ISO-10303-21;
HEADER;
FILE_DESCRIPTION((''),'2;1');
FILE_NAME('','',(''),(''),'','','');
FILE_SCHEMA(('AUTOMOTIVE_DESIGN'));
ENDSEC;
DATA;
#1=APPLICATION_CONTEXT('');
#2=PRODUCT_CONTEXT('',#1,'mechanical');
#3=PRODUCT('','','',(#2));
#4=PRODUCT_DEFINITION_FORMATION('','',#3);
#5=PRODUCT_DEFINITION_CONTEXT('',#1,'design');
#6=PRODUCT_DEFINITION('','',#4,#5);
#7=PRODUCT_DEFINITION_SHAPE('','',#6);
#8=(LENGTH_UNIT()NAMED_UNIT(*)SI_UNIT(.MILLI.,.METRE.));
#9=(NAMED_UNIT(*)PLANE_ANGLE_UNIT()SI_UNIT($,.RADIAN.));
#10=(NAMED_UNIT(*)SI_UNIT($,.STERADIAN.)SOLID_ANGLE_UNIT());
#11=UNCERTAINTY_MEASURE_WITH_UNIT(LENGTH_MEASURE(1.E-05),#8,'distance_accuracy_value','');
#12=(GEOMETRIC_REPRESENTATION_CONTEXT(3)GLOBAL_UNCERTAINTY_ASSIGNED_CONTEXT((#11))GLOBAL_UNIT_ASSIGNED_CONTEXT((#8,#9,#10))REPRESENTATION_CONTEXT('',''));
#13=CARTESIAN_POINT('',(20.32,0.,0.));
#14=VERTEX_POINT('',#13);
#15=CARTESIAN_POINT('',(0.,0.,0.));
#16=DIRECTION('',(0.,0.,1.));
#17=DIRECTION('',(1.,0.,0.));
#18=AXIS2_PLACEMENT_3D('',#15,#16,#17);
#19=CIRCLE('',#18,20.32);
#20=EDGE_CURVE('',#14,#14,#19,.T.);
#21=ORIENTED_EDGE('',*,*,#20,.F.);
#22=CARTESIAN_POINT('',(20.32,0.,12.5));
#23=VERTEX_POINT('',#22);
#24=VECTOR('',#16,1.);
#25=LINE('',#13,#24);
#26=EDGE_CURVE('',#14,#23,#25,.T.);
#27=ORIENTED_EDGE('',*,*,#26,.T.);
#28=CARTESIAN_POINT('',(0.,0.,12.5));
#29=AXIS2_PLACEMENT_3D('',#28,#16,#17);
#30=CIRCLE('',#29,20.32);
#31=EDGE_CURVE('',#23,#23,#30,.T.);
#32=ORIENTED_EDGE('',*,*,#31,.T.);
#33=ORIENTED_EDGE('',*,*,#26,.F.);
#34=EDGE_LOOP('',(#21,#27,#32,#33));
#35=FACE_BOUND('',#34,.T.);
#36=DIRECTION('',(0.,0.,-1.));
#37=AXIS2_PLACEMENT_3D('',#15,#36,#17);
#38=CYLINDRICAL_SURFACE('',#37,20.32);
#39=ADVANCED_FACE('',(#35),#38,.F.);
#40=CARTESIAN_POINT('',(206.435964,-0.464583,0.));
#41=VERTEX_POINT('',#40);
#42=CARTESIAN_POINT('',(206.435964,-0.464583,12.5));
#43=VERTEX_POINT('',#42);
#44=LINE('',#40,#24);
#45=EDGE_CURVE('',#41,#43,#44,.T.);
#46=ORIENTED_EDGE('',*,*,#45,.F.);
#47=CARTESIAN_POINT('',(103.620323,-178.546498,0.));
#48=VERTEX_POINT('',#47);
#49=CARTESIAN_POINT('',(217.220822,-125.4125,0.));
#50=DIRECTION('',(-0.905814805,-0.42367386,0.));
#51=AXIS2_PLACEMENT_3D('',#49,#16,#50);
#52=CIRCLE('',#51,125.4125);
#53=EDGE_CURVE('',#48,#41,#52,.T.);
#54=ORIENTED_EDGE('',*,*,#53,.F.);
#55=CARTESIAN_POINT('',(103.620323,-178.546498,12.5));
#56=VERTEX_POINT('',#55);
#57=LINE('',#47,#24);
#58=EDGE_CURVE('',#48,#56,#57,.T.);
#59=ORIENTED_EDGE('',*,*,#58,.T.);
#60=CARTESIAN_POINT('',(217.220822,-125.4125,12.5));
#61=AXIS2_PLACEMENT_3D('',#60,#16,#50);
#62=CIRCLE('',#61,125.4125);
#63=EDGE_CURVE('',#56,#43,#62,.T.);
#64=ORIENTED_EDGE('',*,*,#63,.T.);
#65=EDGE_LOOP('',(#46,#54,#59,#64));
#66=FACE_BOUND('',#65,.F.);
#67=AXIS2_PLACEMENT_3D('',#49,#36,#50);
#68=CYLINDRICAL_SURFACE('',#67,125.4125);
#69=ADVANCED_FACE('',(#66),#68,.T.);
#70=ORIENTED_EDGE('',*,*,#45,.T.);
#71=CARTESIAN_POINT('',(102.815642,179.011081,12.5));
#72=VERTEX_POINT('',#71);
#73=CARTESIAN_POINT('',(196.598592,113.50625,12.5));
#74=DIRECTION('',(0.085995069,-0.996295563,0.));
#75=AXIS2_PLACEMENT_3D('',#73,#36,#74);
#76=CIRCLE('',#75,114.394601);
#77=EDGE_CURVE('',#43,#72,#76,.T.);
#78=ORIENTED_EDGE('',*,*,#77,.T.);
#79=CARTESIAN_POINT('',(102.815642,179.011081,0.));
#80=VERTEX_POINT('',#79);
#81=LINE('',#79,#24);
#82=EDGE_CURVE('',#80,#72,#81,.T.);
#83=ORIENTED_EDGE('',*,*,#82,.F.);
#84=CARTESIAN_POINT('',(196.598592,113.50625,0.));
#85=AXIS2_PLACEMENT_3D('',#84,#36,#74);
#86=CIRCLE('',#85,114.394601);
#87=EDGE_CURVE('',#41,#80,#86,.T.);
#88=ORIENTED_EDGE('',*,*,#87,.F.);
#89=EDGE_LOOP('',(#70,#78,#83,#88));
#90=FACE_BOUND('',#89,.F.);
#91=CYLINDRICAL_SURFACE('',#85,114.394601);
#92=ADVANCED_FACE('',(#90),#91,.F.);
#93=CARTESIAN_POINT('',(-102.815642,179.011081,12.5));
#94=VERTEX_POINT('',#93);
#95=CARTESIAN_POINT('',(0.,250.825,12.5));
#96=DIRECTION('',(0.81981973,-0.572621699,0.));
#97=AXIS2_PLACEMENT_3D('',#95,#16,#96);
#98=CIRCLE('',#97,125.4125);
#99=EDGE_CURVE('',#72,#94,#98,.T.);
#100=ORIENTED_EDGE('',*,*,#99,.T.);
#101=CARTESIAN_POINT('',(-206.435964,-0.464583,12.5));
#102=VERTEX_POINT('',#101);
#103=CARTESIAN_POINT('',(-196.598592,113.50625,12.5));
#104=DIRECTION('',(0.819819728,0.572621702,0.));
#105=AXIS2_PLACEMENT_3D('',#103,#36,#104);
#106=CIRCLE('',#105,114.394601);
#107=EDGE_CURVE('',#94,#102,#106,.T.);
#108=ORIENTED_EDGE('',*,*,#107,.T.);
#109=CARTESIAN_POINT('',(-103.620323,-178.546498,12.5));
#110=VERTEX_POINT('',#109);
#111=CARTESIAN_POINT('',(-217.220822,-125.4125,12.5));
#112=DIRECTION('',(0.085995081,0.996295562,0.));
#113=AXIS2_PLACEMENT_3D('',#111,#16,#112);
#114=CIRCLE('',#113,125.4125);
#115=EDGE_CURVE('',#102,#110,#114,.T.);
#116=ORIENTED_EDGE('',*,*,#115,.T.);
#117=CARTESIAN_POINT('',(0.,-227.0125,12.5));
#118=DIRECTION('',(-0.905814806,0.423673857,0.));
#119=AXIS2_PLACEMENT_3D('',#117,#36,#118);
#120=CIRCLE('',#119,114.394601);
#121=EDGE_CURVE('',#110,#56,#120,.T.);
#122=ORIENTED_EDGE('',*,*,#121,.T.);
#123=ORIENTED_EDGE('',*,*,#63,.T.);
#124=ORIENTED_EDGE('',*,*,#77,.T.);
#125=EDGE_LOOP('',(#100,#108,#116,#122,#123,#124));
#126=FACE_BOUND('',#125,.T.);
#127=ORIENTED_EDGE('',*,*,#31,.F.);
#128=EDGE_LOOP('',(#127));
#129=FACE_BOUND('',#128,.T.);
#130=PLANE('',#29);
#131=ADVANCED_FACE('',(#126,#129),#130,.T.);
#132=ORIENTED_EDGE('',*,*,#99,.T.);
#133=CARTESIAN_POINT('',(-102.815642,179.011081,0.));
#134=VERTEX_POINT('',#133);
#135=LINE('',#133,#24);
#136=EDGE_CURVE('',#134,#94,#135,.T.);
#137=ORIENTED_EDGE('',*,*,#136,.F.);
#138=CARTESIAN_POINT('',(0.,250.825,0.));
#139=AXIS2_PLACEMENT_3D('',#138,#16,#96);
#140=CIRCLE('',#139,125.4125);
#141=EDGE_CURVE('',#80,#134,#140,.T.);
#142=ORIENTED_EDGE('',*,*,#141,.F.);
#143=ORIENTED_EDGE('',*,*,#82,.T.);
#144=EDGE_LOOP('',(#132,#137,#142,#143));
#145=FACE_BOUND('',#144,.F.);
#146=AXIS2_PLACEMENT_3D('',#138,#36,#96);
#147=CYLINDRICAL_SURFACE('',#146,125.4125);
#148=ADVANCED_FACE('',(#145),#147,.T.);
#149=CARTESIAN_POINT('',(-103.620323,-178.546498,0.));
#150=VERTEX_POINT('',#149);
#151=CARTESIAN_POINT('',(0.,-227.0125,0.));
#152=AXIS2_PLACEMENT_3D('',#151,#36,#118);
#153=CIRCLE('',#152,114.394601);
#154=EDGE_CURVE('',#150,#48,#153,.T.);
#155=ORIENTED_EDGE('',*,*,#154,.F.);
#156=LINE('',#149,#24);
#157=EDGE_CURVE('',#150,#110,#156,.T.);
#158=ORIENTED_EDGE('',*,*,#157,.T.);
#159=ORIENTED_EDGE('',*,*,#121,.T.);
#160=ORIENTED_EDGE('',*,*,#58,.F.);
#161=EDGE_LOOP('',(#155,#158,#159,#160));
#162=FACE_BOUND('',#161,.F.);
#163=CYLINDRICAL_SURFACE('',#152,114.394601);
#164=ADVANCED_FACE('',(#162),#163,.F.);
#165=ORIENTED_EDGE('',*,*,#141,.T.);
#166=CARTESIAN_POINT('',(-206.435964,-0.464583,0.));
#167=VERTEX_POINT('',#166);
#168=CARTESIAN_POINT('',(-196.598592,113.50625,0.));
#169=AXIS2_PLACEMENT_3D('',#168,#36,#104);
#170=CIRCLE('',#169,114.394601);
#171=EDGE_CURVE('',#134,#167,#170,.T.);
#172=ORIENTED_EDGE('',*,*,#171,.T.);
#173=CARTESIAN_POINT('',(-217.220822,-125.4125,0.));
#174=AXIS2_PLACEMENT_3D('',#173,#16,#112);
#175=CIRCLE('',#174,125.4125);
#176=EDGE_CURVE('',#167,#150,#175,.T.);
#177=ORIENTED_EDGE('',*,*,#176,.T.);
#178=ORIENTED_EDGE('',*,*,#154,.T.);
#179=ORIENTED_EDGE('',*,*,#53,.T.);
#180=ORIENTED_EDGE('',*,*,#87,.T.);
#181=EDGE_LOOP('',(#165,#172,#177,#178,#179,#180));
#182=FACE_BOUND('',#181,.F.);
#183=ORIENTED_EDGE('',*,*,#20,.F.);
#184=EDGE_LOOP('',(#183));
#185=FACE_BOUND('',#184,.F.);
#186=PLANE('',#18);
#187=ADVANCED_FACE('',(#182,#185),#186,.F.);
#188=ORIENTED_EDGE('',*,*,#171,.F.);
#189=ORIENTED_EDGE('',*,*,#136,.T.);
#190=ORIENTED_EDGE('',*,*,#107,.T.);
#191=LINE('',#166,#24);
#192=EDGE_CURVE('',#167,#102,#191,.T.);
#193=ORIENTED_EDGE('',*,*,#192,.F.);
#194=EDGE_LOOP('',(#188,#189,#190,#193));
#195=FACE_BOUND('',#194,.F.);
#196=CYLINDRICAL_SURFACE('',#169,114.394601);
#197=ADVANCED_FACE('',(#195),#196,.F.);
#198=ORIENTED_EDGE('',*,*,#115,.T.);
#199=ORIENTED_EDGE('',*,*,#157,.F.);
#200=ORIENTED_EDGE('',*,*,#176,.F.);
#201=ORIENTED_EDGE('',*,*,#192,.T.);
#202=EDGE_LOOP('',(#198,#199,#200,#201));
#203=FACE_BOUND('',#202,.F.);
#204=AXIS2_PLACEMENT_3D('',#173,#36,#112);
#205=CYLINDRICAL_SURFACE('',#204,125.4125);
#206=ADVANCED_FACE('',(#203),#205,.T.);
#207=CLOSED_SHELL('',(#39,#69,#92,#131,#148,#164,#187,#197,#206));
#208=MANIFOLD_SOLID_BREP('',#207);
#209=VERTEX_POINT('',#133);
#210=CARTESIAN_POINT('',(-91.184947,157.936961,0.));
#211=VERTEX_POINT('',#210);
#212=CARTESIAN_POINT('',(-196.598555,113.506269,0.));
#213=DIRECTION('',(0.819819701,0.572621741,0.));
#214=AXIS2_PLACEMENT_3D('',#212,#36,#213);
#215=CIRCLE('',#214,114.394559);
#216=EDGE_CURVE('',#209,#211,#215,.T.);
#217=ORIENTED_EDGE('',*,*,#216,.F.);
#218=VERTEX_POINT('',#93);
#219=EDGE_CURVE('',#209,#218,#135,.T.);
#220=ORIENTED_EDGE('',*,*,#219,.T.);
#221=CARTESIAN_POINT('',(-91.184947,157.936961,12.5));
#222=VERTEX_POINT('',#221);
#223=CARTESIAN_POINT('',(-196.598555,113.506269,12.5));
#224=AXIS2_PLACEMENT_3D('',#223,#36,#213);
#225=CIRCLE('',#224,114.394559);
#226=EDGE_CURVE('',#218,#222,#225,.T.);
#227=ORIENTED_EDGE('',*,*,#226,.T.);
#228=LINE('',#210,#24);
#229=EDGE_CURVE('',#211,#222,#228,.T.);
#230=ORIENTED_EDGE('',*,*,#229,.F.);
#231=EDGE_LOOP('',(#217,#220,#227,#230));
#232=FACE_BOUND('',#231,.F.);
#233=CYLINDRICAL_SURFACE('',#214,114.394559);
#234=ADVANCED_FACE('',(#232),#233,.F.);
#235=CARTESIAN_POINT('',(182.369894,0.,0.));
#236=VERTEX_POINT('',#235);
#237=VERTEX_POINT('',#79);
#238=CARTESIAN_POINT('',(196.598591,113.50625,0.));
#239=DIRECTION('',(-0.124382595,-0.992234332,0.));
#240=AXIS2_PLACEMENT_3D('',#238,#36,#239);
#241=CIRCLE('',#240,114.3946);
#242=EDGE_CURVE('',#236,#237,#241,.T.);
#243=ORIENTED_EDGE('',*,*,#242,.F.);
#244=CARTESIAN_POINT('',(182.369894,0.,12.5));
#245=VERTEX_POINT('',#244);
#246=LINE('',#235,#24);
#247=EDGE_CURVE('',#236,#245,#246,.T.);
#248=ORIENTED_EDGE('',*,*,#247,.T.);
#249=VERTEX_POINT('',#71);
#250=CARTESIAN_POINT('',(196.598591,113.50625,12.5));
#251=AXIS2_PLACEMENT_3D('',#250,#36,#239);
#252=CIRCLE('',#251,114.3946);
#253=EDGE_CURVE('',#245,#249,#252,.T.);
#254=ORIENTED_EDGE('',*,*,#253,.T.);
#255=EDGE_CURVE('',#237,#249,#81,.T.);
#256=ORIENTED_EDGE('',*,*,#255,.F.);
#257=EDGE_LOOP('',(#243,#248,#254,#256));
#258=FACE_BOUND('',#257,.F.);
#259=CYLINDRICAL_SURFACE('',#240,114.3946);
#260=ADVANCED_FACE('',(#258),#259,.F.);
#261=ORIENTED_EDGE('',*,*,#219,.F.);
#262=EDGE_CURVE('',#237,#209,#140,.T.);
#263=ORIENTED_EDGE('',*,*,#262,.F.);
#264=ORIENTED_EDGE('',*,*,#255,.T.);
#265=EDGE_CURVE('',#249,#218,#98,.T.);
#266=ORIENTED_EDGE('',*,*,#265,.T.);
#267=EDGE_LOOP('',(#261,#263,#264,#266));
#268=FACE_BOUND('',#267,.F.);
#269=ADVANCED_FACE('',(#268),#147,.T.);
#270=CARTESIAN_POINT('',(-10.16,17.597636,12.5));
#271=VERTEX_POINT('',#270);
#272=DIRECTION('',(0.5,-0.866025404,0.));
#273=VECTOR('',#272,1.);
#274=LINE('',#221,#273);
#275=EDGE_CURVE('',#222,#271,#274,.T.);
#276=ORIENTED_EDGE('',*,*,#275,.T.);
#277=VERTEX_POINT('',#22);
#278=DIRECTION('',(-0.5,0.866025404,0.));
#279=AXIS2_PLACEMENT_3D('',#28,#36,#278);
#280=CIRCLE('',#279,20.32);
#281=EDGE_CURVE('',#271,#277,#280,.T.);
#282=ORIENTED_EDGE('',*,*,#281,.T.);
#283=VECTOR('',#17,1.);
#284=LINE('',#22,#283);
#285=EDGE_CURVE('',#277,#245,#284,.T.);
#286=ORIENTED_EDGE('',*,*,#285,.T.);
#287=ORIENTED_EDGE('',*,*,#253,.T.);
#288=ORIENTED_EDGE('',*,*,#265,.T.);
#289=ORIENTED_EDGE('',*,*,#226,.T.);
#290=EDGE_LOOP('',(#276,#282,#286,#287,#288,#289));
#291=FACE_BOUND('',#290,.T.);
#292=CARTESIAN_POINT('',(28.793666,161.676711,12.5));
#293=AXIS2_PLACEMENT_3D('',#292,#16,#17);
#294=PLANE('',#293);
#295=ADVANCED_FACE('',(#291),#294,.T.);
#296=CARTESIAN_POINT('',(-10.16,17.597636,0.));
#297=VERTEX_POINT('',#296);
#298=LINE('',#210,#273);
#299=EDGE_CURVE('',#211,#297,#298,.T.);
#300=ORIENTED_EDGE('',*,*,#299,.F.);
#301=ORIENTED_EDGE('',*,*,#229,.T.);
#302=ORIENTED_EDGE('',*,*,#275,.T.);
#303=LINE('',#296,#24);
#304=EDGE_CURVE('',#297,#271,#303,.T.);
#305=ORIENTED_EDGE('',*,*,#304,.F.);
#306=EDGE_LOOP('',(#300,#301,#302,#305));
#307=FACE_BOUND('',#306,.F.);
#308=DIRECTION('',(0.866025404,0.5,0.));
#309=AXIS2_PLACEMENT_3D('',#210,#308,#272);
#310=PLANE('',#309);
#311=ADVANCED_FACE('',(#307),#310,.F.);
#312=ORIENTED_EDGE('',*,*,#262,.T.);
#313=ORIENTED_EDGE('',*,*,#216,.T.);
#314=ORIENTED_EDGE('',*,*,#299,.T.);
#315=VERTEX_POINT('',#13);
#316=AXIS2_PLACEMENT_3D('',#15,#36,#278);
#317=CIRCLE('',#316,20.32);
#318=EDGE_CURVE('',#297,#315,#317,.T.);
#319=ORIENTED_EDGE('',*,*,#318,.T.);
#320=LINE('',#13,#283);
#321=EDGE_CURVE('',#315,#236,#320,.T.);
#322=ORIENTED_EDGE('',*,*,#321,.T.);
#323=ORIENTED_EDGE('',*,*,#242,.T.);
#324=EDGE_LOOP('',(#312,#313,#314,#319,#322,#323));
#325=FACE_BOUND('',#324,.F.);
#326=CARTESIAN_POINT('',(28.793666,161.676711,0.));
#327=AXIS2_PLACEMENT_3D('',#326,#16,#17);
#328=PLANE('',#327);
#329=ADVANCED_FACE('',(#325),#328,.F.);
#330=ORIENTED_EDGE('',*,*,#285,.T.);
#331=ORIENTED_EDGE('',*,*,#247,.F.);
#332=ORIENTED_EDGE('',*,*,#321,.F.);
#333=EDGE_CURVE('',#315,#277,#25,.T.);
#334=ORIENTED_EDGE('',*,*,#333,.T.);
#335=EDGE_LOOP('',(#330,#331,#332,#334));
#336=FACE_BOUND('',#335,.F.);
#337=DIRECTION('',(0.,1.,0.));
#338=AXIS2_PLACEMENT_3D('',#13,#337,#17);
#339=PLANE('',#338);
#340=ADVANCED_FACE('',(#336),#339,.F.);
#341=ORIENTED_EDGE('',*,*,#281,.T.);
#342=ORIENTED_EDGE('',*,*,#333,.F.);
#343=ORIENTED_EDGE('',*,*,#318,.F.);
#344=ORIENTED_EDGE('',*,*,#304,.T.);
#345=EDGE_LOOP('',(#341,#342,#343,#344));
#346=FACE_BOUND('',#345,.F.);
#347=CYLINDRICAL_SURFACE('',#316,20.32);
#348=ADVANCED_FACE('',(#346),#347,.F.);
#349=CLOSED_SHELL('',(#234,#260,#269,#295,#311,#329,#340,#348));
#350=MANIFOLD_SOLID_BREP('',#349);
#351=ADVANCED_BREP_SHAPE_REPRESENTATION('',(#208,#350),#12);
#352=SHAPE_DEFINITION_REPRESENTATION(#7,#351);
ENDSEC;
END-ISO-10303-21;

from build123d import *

# Parameters (mm, degrees)
F0_R     = 100.0125
F0_R_2   = 20.32
F1_DEPTH = 12.5
F3_DEPTH = 12.5


with BuildPart() as f1:
    # F0 (on Top) → F1 (new body)
    with BuildSketch(Plane.XY):
        with BuildLine():
            ThreePointArc((206.435964, -0.464583), (97.529962, 56.30895), (102.815642, 179.011081))
            ThreePointArc((102.815642, 179.011081), (0, 376.2375), (-102.815642, 179.011081))
            ThreePointArc((-102.815642, 179.011081), (-97.529962, 56.30895), (-206.435964, -0.464583))
            ThreePointArc((-206.435964, -0.464583), (-325.831233, -188.11875), (-103.620323, -178.546498))
            ThreePointArc((-103.620323, -178.546498), (0, -112.617899), (103.620323, -178.546498))
            ThreePointArc((103.620323, -178.546498), (325.831233, -188.11875), (206.435964, -0.464583))
        make_face()
        Circle(F0_R, mode=Mode.SUBTRACT)
        Circle(F0_R)
        Circle(F0_R_2, mode=Mode.SUBTRACT)
    extrude(amount=F1_DEPTH)


with BuildPart() as f3:
    # F2 (on Top) → F3 (new body)
    with BuildSketch(Plane.XY):
        with BuildLine():
            ThreePointArc((182.369894, 0), (92.062135, 67.049239), (102.815642, 179.011081))
            ThreePointArc((102.815642, 179.011081), (0, 376.2375), (-102.815642, 179.011081))
            ThreePointArc((-102.815642, 179.011081), (-96.444458, 168.780784), (-91.184947, 157.936961))
            Line((-91.184947, 157.936961), (-10.16, 17.597636))
            ThreePointArc((-10.16, 17.597636), (10.16, 17.597636), (20.32, 0))
            Line((20.32, 0), (182.369894, 0))
        make_face()
    extrude(amount=F3_DEPTH)


solid = Compound([f1.part, f3.part])
